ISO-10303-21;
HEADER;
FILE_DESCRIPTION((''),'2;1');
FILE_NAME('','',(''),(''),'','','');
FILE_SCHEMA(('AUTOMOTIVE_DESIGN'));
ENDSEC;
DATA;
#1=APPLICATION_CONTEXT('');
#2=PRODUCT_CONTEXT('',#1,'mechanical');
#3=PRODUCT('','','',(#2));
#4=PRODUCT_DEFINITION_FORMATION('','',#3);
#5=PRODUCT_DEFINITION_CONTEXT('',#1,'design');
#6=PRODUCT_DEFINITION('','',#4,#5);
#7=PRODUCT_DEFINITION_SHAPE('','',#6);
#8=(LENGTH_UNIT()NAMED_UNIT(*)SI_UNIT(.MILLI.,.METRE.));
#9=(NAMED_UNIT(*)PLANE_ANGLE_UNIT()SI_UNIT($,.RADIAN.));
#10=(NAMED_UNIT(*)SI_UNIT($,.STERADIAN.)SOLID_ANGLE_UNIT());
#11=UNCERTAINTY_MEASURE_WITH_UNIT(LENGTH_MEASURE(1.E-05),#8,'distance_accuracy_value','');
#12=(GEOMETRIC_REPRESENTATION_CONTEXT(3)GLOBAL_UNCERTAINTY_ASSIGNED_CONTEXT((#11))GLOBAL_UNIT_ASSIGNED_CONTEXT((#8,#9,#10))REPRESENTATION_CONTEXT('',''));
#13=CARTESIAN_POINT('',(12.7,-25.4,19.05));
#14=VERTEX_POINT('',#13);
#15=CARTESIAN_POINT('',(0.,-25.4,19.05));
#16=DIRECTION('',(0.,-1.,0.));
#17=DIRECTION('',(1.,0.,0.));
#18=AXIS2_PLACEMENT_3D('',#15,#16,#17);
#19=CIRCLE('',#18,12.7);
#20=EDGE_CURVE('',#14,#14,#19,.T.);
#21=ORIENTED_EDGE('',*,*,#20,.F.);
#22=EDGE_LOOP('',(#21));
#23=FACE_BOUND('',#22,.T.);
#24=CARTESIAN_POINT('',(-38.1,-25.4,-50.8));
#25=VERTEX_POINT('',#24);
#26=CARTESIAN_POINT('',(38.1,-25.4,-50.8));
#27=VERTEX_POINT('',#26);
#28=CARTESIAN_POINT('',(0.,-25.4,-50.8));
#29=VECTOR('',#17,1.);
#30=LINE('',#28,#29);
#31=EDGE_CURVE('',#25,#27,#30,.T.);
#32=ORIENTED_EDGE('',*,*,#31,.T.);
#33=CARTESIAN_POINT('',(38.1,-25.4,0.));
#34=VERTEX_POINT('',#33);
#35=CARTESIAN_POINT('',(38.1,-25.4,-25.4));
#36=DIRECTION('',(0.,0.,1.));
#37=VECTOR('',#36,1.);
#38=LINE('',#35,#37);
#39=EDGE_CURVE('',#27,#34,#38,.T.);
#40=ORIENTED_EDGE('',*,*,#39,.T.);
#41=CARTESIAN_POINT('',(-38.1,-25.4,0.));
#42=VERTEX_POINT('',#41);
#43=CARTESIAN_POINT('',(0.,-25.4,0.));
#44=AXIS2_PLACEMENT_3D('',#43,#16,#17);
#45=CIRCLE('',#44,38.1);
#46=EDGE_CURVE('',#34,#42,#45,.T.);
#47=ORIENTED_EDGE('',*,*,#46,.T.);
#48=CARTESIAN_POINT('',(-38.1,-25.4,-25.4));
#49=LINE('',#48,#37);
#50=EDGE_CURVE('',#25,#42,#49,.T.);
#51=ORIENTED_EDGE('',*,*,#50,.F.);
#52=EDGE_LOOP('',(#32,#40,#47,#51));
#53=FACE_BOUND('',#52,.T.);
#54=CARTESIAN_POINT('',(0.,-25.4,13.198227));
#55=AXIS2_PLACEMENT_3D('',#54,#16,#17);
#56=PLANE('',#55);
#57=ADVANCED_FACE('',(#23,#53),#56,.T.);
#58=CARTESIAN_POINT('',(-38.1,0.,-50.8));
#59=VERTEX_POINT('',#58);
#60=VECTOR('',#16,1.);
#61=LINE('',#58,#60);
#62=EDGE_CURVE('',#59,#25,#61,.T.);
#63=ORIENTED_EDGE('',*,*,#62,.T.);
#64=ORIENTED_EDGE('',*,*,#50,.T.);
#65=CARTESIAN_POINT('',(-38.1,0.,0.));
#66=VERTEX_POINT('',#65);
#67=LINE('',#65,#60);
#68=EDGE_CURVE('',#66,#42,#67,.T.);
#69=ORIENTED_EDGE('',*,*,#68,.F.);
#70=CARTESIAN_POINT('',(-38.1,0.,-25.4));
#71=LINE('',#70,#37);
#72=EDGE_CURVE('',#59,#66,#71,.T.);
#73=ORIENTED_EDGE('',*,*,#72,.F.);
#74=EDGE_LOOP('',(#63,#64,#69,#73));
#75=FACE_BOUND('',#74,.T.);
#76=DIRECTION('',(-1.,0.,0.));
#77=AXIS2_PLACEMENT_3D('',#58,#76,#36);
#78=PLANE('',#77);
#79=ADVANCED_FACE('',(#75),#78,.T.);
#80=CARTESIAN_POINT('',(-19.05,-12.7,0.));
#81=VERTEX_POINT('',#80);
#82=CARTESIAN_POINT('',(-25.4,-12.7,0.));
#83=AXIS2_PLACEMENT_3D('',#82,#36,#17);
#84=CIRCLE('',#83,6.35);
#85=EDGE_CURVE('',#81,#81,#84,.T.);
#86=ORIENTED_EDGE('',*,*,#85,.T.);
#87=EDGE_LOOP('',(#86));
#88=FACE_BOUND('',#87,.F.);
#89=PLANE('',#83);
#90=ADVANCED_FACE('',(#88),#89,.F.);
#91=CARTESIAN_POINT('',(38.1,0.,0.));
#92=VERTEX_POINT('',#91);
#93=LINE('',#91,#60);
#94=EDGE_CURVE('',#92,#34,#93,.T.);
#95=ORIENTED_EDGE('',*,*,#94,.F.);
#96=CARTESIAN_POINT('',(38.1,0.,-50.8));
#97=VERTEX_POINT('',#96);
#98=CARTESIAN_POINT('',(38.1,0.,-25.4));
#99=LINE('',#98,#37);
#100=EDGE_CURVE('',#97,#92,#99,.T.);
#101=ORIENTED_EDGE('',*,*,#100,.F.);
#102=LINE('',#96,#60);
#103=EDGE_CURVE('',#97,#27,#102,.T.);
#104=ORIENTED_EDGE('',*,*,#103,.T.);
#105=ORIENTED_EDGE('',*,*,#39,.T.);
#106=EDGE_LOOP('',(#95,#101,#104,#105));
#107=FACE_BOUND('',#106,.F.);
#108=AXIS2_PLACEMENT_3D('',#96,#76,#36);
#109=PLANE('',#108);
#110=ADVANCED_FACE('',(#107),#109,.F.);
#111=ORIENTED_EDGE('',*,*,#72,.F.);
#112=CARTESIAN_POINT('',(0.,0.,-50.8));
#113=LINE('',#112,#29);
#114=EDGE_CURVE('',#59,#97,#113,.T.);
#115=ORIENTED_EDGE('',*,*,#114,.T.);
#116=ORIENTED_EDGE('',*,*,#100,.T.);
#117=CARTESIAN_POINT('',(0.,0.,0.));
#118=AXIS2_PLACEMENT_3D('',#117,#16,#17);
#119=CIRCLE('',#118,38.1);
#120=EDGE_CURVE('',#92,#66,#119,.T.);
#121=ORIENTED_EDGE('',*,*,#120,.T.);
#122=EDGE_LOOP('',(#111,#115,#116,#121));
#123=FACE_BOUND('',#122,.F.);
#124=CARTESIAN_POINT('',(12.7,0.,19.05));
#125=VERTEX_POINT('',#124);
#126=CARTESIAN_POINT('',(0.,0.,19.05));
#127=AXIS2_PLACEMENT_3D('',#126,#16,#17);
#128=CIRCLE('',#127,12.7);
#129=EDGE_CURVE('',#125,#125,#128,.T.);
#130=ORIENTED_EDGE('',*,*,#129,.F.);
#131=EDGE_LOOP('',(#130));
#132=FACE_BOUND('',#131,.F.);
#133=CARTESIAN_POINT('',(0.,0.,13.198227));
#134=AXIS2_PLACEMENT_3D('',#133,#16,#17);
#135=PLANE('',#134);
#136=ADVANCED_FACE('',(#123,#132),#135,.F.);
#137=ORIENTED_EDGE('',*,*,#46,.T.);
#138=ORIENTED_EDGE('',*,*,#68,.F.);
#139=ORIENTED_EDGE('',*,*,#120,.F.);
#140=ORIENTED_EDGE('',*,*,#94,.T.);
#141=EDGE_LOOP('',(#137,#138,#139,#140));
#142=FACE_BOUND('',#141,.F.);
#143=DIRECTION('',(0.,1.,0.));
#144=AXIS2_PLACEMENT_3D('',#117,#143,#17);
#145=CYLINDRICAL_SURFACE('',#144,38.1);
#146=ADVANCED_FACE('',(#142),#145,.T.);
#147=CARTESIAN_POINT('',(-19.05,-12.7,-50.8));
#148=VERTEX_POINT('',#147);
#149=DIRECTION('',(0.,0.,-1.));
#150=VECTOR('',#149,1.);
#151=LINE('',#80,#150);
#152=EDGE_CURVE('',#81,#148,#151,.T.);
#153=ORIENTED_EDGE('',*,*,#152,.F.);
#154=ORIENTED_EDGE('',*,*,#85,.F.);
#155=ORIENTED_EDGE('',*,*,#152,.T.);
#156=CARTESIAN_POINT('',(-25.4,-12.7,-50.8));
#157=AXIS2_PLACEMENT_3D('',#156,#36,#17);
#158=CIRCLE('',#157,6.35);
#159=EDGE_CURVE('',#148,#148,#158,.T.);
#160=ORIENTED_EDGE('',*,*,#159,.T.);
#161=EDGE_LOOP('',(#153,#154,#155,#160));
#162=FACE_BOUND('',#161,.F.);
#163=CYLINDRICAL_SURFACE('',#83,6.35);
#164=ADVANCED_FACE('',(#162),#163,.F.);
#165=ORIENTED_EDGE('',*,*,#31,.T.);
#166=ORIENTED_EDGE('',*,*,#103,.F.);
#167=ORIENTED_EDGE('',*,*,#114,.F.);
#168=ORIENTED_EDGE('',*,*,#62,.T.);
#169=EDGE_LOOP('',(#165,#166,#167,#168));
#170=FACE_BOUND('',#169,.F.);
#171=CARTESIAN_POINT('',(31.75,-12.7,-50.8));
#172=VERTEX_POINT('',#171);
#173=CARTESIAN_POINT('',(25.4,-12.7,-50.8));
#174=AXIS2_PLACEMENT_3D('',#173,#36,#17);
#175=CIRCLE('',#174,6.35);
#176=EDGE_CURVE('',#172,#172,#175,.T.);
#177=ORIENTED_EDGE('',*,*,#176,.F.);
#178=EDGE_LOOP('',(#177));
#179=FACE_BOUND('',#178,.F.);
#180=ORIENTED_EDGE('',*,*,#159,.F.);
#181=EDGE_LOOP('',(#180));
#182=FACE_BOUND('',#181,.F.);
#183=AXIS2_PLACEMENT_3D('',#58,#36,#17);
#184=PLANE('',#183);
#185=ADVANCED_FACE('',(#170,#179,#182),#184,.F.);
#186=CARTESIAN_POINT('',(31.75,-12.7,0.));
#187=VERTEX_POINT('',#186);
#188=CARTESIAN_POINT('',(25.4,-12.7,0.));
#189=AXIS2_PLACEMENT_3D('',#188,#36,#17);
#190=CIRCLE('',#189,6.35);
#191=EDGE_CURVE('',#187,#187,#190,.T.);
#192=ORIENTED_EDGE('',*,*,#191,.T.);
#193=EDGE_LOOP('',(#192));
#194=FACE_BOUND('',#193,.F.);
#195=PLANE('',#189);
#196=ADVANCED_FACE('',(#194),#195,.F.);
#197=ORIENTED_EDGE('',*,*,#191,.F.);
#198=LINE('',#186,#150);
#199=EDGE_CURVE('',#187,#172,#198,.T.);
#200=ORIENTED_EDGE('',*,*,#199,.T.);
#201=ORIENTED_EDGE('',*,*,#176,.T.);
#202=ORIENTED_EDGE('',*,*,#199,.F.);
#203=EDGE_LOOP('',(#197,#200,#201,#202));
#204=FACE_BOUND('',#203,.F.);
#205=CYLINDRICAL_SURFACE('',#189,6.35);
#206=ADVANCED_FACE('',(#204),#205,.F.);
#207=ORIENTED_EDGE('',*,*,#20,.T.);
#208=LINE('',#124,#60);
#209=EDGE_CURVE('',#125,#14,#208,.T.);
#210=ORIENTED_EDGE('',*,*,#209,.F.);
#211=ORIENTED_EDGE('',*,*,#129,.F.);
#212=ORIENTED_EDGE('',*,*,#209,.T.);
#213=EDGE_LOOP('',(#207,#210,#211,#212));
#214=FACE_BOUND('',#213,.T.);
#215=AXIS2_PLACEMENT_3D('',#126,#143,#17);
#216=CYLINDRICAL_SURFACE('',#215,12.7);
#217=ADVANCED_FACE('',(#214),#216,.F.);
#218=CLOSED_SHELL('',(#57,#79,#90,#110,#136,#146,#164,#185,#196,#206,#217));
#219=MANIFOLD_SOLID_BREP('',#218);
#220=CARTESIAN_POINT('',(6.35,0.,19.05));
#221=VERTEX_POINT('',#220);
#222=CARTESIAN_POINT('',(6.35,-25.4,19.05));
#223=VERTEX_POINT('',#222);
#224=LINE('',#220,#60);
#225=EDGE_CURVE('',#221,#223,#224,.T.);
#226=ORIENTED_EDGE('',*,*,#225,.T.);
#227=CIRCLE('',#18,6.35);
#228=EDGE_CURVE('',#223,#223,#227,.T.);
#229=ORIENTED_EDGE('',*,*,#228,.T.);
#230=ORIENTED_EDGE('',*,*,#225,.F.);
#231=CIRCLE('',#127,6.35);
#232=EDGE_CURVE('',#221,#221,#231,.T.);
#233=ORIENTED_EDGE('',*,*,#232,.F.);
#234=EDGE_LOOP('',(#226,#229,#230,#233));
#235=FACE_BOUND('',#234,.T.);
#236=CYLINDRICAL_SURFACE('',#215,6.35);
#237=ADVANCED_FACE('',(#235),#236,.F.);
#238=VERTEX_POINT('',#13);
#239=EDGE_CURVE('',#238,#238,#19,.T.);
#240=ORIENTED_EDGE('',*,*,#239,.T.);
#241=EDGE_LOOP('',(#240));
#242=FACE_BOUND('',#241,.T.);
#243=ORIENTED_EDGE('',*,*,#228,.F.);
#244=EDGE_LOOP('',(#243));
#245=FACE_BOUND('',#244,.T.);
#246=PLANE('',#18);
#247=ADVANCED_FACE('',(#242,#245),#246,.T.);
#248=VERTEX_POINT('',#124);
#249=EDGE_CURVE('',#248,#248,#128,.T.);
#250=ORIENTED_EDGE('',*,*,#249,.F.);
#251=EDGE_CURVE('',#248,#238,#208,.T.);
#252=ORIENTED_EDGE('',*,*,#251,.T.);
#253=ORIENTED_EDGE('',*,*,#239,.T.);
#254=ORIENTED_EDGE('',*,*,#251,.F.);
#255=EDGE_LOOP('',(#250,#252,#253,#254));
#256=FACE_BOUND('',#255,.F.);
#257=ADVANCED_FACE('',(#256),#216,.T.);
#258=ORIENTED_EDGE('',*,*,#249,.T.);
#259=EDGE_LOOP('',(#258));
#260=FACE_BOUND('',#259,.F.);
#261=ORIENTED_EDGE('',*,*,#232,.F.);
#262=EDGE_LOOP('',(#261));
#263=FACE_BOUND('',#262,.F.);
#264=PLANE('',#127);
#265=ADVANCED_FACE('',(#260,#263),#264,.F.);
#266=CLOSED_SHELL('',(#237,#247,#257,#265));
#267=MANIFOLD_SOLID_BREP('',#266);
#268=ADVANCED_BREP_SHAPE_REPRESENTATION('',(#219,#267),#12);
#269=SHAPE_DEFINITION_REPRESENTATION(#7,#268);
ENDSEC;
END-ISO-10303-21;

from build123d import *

# Parameters (mm, degrees)
F4_R     = 12.7
F4_W     = 76.2
F4_H     = 50.8
F0_DEPTH = 25.4
F4_R_2   = 6.35
F1_DEPTH = 25.4
F3_D     = 12.7
F3_DEPTH = 50.801


with BuildPart() as f0:
    # F4 (on Front) → F0 (new body)
    with BuildSketch(Plane.XZ):
        with BuildLine():
            Line((-38.1, 0), (38.1, 0))
            ThreePointArc((38.1, 0), (0, 38.1), (-38.1, 0))
        make_face()
        with Locations((0, 19.05)):
            Circle(F4_R, mode=Mode.SUBTRACT)
        with Locations((0, -25.4)):
            Rectangle(F4_W, F4_H)
    extrude(amount=F0_DEPTH)

    # F3 (through all, one way)
    with BuildSketch(Plane.XY):
        with Locations((-25.4, -12.7), (25.4, -12.7)):
            Circle(F3_D / 2)
    extrude(amount=-F3_DEPTH, mode=Mode.SUBTRACT)


with BuildPart() as f1:
    # F4 (on Front) → F1 (new body)
    with BuildSketch(Plane.XZ):
        with Locations((0, 19.05)):
            Circle(F4_R)
        with Locations((0, 19.05)):
            Circle(F4_R_2, mode=Mode.SUBTRACT)
    extrude(amount=F1_DEPTH)


solid = Compound([f0.part, f1.part])
